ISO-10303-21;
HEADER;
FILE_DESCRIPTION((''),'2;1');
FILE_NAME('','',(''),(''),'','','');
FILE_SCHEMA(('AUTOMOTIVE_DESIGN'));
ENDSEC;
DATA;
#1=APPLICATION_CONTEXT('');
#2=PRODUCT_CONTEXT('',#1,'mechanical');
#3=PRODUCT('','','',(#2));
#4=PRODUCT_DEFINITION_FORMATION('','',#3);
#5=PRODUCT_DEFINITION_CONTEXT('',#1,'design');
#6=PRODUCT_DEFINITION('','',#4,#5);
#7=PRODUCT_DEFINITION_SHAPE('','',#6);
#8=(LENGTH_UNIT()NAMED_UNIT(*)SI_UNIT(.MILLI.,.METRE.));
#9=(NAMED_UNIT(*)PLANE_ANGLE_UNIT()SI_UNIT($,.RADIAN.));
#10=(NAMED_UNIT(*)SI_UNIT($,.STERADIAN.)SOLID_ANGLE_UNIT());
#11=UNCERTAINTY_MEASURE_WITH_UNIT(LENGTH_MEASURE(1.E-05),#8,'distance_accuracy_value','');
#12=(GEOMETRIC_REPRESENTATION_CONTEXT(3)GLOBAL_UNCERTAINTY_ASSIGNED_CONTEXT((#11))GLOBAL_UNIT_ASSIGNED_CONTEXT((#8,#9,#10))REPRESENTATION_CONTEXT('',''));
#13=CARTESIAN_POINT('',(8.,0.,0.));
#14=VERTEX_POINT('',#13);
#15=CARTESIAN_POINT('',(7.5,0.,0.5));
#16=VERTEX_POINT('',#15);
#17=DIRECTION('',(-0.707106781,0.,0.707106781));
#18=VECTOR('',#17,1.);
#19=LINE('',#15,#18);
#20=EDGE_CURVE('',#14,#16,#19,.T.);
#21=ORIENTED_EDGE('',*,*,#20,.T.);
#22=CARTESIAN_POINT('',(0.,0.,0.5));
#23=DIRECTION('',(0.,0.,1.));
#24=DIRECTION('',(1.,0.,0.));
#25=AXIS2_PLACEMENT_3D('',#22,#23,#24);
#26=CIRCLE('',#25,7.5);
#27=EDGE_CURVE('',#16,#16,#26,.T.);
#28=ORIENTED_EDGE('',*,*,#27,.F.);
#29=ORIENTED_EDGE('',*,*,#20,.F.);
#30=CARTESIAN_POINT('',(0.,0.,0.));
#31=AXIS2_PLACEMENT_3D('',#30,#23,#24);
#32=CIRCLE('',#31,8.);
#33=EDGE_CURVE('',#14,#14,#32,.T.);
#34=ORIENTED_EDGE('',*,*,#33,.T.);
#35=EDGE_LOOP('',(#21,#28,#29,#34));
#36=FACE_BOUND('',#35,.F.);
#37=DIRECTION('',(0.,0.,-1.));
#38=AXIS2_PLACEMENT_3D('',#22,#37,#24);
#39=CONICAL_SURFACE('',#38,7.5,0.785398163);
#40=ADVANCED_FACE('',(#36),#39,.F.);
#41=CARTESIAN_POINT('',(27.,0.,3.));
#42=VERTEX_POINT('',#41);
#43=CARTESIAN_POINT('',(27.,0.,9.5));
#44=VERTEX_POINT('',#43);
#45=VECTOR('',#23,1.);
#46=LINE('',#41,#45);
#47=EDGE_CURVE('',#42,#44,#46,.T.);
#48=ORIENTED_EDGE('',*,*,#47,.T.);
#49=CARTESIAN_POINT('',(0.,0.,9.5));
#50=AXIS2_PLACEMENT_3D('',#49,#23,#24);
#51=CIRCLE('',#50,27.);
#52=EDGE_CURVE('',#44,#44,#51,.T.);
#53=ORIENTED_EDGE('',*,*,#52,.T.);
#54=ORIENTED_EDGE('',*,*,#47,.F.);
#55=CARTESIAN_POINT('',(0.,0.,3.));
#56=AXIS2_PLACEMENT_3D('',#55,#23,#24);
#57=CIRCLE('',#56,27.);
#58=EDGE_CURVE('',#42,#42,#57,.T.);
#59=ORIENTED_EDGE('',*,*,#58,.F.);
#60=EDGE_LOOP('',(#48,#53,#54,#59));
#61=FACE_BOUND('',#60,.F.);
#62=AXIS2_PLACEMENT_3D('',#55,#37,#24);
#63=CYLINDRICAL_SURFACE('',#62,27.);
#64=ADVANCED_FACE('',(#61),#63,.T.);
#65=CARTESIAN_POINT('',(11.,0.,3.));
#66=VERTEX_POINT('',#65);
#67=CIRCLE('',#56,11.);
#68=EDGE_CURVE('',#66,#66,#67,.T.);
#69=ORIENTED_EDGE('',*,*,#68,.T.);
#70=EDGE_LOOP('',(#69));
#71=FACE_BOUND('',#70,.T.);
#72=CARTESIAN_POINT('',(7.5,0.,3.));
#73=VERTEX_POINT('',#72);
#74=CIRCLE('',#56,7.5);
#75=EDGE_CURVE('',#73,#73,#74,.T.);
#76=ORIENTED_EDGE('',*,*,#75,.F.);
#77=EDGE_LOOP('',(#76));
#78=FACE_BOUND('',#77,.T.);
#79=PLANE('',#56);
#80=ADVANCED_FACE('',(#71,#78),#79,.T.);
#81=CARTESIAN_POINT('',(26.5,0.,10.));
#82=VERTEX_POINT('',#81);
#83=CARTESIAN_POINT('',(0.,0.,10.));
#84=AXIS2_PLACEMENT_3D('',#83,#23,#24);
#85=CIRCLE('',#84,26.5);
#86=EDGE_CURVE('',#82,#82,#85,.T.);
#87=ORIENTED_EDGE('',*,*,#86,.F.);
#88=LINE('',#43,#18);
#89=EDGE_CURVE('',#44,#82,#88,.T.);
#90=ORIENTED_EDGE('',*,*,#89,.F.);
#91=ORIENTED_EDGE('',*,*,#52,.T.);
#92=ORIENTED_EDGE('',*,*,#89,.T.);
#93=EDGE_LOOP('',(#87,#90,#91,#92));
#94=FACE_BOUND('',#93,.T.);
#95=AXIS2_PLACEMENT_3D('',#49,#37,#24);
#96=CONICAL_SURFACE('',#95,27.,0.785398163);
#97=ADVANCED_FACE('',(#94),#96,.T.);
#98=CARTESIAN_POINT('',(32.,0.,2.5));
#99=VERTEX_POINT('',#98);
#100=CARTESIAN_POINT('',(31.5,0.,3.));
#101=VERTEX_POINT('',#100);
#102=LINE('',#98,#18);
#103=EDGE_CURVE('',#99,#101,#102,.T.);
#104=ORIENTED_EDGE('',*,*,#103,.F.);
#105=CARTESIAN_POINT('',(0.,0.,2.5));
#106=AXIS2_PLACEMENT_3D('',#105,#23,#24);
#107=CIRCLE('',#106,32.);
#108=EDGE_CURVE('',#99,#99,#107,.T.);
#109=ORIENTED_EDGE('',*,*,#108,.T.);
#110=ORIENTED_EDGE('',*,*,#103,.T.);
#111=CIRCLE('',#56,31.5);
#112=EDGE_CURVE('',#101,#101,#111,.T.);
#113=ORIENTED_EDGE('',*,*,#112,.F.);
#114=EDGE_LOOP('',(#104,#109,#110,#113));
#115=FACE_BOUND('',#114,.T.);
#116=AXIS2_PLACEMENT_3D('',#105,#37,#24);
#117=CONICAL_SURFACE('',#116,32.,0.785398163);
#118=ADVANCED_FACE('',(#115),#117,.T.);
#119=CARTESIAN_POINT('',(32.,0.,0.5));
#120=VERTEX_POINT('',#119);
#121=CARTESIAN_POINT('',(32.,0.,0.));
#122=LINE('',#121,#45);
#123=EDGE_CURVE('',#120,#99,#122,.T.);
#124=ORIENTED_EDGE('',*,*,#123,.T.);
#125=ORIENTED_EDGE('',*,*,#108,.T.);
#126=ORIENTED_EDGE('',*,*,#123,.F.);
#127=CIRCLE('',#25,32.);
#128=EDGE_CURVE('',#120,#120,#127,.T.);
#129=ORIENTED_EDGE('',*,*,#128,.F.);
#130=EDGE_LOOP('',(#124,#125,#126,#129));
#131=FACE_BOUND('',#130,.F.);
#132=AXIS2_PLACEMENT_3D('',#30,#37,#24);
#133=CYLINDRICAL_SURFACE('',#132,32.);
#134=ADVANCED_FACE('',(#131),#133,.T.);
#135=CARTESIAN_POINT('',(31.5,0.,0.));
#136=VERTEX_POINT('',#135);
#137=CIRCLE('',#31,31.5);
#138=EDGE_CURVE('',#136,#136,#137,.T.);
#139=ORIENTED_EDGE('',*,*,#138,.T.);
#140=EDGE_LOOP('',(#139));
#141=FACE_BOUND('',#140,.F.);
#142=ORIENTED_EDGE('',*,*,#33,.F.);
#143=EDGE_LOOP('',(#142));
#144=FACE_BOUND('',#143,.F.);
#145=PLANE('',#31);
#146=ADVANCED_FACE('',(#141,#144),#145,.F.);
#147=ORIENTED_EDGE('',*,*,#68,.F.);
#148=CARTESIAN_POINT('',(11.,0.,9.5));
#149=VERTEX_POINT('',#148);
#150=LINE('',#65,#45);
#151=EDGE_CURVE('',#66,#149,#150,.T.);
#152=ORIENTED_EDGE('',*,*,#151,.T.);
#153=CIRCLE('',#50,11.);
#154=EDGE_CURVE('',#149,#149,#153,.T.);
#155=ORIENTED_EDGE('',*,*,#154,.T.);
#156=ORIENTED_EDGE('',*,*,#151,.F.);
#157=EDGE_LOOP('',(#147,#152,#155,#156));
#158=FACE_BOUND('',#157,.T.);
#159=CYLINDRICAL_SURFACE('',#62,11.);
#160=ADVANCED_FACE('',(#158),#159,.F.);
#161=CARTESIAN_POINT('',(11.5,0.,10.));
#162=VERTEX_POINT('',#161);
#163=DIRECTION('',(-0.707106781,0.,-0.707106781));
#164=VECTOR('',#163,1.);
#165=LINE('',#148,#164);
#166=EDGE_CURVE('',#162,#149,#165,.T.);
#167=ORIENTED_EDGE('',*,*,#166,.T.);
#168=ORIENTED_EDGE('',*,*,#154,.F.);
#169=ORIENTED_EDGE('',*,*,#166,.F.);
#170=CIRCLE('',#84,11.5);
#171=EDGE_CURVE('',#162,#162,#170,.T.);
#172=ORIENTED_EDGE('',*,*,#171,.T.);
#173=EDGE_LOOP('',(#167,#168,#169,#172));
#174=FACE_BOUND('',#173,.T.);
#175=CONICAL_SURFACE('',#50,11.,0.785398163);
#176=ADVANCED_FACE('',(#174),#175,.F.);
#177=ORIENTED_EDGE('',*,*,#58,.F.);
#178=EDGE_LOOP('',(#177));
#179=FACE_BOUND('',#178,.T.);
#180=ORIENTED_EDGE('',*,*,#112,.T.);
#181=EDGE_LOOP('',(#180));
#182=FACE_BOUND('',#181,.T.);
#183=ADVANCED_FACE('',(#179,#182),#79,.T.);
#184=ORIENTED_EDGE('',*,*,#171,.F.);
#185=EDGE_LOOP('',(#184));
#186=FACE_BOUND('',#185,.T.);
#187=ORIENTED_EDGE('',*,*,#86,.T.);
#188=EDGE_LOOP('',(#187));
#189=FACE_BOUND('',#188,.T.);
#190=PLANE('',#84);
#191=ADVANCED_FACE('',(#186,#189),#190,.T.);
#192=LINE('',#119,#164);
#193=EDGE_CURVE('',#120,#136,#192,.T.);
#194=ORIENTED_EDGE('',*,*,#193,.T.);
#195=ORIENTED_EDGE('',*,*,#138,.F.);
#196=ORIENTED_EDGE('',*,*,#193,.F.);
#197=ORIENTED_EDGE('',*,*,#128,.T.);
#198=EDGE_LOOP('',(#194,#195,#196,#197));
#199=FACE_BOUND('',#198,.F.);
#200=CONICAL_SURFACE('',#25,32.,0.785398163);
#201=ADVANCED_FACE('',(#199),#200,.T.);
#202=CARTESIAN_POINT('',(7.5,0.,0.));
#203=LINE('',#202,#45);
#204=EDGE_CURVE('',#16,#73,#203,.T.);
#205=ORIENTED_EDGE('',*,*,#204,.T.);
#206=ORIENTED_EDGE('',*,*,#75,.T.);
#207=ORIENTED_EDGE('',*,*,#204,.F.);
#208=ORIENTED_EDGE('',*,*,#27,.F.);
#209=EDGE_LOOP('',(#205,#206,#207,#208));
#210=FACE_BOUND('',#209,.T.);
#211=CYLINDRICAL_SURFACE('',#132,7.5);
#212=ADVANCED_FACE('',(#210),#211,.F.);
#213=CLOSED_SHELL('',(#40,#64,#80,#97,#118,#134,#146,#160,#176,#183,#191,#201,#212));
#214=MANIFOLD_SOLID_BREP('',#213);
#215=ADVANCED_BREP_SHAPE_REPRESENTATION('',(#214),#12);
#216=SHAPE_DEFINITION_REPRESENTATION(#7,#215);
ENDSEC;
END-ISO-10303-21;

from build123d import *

# Parameters (mm, degrees)
F0_R     = 32
F0_R_2   = 7.5
F1_DEPTH = 3
F2_R     = 27
F2_R_2   = 11
F3_DEPTH = 7
F4_SIZE  = 0.5


with BuildPart() as f1:
    # F0 (on Top) → F1 (new body)
    with BuildSketch(Plane.XY):
        Circle(F0_R)
        Circle(F0_R_2, mode=Mode.SUBTRACT)
    extrude(amount=F1_DEPTH)

    # F2 (on face) → F3 (join)
    with BuildSketch(Plane.XY.offset(3)):
        Circle(F2_R)
        Circle(F2_R_2, mode=Mode.SUBTRACT)
    extrude(amount=F3_DEPTH)

    # F4
    f4_edges = [f1.edges().sort_by_distance(p)[0] for p in [
        (-27, 0, 10),
        (-32, 0, 3),
        (-11, 0, 10),
        (-32, 0, 0),
        (-7.5, 0, 0),
    ]]
    chamfer(f4_edges, length=F4_SIZE)


solid = f1.part
